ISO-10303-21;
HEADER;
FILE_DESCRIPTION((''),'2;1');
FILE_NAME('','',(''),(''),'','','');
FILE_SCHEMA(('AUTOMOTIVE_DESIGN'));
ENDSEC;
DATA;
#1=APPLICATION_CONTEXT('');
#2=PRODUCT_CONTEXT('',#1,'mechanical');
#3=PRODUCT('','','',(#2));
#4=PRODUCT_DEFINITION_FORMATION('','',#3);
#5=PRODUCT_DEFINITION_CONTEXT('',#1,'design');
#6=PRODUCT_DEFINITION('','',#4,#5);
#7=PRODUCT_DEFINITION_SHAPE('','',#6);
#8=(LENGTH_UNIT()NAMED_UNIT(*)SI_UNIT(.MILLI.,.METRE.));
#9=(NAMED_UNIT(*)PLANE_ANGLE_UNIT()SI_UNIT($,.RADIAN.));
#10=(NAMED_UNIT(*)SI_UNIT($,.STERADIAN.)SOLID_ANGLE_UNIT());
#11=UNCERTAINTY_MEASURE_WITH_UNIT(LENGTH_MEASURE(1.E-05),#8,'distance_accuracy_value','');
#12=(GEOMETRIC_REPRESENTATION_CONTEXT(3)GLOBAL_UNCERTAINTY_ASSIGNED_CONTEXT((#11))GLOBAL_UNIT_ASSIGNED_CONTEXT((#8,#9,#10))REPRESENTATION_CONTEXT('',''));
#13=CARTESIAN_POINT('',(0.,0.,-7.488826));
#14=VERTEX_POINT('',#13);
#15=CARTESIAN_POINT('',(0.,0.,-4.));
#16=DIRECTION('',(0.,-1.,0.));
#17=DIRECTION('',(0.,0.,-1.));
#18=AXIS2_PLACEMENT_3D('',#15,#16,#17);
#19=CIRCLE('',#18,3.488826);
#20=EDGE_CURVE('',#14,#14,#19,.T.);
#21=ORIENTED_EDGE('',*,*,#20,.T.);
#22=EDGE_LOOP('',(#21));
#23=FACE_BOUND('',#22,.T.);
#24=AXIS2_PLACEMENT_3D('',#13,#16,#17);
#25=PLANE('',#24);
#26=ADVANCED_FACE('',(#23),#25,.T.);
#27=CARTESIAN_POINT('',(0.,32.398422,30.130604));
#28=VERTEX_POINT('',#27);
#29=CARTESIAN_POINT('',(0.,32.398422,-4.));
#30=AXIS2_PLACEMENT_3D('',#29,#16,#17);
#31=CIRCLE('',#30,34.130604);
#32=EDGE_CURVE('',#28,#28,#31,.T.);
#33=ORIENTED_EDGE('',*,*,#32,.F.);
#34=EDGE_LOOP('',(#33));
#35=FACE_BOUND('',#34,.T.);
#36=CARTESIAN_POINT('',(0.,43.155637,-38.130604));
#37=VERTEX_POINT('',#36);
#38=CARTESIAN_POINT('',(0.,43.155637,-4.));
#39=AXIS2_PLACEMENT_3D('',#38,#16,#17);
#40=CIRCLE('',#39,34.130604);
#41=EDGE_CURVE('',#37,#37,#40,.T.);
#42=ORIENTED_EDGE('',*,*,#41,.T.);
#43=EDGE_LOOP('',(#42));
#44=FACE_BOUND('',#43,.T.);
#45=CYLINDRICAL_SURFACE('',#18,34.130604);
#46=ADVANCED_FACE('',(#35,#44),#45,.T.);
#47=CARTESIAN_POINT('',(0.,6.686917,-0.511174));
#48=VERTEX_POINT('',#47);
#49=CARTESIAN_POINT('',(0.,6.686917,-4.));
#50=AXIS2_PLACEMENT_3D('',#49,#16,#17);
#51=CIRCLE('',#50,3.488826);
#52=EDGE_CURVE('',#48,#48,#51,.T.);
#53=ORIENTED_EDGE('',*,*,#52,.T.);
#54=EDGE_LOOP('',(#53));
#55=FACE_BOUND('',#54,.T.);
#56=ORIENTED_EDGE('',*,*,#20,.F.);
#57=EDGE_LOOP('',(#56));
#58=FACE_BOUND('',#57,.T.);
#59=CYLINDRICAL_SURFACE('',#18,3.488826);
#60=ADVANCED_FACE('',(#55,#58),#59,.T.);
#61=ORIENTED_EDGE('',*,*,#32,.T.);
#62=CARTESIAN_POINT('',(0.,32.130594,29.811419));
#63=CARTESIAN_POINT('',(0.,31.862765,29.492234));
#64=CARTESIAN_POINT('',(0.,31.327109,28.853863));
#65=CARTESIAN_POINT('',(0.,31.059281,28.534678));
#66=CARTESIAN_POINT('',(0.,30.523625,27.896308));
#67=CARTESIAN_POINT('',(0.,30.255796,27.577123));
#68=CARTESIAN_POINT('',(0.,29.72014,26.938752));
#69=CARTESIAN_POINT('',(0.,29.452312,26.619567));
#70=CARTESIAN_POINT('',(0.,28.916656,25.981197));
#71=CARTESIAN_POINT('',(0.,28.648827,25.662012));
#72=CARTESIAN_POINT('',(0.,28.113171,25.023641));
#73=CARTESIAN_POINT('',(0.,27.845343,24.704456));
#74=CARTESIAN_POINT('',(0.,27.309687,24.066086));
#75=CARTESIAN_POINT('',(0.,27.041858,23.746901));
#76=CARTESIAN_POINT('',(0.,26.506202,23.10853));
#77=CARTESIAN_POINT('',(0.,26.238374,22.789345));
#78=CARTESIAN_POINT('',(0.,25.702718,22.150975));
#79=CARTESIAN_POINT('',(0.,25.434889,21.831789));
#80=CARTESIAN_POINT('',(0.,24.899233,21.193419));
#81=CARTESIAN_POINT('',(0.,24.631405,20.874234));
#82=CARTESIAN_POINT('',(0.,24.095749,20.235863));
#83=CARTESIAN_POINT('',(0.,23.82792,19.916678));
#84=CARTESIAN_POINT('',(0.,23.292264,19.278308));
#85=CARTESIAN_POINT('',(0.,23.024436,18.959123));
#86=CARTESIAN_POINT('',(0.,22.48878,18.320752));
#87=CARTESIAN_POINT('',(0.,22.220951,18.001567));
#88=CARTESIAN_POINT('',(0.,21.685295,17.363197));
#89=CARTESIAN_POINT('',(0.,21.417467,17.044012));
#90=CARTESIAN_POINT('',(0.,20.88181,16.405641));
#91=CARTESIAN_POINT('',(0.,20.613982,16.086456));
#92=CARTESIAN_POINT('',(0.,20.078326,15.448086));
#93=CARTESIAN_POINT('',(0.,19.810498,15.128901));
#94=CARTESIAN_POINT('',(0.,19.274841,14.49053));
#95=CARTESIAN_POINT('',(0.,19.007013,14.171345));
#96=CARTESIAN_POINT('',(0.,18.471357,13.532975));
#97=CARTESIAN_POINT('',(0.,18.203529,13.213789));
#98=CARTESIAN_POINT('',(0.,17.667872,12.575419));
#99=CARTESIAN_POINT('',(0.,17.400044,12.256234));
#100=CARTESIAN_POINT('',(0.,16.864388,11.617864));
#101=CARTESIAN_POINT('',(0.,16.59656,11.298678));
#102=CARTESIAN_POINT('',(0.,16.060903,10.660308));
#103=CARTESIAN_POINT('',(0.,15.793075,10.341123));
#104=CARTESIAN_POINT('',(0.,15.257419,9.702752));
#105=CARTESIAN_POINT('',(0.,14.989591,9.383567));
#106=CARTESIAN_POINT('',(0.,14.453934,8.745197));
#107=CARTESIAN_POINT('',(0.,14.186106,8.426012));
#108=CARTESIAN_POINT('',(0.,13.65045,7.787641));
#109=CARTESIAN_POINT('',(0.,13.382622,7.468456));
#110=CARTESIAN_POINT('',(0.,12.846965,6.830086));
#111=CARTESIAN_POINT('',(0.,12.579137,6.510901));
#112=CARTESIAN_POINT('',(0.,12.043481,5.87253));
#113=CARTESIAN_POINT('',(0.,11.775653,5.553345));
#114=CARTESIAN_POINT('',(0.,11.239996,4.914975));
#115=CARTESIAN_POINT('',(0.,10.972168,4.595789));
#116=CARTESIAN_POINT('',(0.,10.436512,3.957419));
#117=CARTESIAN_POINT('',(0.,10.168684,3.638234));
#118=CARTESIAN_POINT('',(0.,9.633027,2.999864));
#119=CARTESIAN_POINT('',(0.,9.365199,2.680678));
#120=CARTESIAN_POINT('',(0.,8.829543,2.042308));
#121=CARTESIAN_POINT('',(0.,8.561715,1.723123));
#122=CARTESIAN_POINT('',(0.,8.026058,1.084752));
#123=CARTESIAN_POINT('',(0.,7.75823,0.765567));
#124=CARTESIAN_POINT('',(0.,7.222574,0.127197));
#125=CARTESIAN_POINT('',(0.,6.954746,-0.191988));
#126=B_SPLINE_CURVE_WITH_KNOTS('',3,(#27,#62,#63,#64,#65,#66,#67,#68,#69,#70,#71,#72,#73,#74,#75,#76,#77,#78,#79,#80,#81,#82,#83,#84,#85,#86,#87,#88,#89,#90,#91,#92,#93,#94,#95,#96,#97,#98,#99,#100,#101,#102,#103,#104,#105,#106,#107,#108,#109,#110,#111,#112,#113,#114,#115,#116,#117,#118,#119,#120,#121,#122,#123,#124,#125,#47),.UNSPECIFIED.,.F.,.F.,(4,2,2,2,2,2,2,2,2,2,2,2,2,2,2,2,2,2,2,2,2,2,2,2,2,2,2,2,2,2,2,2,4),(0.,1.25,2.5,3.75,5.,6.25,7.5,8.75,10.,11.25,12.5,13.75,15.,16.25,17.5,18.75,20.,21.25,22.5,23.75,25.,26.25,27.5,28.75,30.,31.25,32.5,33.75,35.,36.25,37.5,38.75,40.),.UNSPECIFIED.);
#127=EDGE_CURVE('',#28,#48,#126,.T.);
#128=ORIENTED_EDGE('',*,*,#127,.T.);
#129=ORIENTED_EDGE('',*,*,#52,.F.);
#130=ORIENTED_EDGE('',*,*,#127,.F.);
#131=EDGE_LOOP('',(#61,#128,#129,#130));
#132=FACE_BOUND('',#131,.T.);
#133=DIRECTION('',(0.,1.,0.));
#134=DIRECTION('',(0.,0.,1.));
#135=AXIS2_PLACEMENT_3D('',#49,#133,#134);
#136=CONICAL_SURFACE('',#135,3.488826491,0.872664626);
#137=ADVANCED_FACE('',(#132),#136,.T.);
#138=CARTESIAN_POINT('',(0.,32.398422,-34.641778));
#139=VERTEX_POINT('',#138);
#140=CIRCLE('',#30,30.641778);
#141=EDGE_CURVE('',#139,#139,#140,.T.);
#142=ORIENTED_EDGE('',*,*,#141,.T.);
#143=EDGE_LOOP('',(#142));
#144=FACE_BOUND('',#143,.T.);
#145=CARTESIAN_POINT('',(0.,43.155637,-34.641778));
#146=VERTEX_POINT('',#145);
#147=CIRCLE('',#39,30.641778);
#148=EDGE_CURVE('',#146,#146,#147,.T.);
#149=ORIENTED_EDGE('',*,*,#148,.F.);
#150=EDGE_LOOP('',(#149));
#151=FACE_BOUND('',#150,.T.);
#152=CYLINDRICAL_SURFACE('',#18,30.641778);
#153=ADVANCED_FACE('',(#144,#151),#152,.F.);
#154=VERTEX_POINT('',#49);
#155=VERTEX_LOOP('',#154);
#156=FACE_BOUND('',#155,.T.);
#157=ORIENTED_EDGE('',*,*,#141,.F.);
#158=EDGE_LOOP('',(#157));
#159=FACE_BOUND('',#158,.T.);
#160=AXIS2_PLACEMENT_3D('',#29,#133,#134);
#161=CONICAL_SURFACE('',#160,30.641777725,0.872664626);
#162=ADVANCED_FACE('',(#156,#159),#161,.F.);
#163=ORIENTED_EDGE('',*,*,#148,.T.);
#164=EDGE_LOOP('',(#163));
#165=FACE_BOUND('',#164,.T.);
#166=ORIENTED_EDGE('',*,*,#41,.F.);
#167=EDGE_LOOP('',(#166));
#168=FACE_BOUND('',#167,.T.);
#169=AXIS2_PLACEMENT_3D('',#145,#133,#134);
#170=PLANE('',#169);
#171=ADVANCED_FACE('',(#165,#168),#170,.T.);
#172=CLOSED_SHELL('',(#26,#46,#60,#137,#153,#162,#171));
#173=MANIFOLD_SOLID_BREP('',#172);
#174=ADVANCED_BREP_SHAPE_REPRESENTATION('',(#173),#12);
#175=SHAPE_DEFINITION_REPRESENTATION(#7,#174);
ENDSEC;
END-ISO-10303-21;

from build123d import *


with BuildPart() as part:
    # Sketch1 → Revolve1 (revolve)
    with BuildSketch(Plane(origin=(0, 0, 0), x_dir=(0, 0, -1), z_dir=(1, 0, 0))):
        Polygon((4, 0), (4, 6.686917441), (34.641777725, 32.398421828), (34.641777725, 43.155636842), (38.130604216, 43.155636842), (38.130604216, 32.398421828), (7.488826491, 6.686917441), (7.488826491, 0), align=None)
    revolve(axis=Axis((0, 0, -4), (0, 1, 0)))


solid = part.part
